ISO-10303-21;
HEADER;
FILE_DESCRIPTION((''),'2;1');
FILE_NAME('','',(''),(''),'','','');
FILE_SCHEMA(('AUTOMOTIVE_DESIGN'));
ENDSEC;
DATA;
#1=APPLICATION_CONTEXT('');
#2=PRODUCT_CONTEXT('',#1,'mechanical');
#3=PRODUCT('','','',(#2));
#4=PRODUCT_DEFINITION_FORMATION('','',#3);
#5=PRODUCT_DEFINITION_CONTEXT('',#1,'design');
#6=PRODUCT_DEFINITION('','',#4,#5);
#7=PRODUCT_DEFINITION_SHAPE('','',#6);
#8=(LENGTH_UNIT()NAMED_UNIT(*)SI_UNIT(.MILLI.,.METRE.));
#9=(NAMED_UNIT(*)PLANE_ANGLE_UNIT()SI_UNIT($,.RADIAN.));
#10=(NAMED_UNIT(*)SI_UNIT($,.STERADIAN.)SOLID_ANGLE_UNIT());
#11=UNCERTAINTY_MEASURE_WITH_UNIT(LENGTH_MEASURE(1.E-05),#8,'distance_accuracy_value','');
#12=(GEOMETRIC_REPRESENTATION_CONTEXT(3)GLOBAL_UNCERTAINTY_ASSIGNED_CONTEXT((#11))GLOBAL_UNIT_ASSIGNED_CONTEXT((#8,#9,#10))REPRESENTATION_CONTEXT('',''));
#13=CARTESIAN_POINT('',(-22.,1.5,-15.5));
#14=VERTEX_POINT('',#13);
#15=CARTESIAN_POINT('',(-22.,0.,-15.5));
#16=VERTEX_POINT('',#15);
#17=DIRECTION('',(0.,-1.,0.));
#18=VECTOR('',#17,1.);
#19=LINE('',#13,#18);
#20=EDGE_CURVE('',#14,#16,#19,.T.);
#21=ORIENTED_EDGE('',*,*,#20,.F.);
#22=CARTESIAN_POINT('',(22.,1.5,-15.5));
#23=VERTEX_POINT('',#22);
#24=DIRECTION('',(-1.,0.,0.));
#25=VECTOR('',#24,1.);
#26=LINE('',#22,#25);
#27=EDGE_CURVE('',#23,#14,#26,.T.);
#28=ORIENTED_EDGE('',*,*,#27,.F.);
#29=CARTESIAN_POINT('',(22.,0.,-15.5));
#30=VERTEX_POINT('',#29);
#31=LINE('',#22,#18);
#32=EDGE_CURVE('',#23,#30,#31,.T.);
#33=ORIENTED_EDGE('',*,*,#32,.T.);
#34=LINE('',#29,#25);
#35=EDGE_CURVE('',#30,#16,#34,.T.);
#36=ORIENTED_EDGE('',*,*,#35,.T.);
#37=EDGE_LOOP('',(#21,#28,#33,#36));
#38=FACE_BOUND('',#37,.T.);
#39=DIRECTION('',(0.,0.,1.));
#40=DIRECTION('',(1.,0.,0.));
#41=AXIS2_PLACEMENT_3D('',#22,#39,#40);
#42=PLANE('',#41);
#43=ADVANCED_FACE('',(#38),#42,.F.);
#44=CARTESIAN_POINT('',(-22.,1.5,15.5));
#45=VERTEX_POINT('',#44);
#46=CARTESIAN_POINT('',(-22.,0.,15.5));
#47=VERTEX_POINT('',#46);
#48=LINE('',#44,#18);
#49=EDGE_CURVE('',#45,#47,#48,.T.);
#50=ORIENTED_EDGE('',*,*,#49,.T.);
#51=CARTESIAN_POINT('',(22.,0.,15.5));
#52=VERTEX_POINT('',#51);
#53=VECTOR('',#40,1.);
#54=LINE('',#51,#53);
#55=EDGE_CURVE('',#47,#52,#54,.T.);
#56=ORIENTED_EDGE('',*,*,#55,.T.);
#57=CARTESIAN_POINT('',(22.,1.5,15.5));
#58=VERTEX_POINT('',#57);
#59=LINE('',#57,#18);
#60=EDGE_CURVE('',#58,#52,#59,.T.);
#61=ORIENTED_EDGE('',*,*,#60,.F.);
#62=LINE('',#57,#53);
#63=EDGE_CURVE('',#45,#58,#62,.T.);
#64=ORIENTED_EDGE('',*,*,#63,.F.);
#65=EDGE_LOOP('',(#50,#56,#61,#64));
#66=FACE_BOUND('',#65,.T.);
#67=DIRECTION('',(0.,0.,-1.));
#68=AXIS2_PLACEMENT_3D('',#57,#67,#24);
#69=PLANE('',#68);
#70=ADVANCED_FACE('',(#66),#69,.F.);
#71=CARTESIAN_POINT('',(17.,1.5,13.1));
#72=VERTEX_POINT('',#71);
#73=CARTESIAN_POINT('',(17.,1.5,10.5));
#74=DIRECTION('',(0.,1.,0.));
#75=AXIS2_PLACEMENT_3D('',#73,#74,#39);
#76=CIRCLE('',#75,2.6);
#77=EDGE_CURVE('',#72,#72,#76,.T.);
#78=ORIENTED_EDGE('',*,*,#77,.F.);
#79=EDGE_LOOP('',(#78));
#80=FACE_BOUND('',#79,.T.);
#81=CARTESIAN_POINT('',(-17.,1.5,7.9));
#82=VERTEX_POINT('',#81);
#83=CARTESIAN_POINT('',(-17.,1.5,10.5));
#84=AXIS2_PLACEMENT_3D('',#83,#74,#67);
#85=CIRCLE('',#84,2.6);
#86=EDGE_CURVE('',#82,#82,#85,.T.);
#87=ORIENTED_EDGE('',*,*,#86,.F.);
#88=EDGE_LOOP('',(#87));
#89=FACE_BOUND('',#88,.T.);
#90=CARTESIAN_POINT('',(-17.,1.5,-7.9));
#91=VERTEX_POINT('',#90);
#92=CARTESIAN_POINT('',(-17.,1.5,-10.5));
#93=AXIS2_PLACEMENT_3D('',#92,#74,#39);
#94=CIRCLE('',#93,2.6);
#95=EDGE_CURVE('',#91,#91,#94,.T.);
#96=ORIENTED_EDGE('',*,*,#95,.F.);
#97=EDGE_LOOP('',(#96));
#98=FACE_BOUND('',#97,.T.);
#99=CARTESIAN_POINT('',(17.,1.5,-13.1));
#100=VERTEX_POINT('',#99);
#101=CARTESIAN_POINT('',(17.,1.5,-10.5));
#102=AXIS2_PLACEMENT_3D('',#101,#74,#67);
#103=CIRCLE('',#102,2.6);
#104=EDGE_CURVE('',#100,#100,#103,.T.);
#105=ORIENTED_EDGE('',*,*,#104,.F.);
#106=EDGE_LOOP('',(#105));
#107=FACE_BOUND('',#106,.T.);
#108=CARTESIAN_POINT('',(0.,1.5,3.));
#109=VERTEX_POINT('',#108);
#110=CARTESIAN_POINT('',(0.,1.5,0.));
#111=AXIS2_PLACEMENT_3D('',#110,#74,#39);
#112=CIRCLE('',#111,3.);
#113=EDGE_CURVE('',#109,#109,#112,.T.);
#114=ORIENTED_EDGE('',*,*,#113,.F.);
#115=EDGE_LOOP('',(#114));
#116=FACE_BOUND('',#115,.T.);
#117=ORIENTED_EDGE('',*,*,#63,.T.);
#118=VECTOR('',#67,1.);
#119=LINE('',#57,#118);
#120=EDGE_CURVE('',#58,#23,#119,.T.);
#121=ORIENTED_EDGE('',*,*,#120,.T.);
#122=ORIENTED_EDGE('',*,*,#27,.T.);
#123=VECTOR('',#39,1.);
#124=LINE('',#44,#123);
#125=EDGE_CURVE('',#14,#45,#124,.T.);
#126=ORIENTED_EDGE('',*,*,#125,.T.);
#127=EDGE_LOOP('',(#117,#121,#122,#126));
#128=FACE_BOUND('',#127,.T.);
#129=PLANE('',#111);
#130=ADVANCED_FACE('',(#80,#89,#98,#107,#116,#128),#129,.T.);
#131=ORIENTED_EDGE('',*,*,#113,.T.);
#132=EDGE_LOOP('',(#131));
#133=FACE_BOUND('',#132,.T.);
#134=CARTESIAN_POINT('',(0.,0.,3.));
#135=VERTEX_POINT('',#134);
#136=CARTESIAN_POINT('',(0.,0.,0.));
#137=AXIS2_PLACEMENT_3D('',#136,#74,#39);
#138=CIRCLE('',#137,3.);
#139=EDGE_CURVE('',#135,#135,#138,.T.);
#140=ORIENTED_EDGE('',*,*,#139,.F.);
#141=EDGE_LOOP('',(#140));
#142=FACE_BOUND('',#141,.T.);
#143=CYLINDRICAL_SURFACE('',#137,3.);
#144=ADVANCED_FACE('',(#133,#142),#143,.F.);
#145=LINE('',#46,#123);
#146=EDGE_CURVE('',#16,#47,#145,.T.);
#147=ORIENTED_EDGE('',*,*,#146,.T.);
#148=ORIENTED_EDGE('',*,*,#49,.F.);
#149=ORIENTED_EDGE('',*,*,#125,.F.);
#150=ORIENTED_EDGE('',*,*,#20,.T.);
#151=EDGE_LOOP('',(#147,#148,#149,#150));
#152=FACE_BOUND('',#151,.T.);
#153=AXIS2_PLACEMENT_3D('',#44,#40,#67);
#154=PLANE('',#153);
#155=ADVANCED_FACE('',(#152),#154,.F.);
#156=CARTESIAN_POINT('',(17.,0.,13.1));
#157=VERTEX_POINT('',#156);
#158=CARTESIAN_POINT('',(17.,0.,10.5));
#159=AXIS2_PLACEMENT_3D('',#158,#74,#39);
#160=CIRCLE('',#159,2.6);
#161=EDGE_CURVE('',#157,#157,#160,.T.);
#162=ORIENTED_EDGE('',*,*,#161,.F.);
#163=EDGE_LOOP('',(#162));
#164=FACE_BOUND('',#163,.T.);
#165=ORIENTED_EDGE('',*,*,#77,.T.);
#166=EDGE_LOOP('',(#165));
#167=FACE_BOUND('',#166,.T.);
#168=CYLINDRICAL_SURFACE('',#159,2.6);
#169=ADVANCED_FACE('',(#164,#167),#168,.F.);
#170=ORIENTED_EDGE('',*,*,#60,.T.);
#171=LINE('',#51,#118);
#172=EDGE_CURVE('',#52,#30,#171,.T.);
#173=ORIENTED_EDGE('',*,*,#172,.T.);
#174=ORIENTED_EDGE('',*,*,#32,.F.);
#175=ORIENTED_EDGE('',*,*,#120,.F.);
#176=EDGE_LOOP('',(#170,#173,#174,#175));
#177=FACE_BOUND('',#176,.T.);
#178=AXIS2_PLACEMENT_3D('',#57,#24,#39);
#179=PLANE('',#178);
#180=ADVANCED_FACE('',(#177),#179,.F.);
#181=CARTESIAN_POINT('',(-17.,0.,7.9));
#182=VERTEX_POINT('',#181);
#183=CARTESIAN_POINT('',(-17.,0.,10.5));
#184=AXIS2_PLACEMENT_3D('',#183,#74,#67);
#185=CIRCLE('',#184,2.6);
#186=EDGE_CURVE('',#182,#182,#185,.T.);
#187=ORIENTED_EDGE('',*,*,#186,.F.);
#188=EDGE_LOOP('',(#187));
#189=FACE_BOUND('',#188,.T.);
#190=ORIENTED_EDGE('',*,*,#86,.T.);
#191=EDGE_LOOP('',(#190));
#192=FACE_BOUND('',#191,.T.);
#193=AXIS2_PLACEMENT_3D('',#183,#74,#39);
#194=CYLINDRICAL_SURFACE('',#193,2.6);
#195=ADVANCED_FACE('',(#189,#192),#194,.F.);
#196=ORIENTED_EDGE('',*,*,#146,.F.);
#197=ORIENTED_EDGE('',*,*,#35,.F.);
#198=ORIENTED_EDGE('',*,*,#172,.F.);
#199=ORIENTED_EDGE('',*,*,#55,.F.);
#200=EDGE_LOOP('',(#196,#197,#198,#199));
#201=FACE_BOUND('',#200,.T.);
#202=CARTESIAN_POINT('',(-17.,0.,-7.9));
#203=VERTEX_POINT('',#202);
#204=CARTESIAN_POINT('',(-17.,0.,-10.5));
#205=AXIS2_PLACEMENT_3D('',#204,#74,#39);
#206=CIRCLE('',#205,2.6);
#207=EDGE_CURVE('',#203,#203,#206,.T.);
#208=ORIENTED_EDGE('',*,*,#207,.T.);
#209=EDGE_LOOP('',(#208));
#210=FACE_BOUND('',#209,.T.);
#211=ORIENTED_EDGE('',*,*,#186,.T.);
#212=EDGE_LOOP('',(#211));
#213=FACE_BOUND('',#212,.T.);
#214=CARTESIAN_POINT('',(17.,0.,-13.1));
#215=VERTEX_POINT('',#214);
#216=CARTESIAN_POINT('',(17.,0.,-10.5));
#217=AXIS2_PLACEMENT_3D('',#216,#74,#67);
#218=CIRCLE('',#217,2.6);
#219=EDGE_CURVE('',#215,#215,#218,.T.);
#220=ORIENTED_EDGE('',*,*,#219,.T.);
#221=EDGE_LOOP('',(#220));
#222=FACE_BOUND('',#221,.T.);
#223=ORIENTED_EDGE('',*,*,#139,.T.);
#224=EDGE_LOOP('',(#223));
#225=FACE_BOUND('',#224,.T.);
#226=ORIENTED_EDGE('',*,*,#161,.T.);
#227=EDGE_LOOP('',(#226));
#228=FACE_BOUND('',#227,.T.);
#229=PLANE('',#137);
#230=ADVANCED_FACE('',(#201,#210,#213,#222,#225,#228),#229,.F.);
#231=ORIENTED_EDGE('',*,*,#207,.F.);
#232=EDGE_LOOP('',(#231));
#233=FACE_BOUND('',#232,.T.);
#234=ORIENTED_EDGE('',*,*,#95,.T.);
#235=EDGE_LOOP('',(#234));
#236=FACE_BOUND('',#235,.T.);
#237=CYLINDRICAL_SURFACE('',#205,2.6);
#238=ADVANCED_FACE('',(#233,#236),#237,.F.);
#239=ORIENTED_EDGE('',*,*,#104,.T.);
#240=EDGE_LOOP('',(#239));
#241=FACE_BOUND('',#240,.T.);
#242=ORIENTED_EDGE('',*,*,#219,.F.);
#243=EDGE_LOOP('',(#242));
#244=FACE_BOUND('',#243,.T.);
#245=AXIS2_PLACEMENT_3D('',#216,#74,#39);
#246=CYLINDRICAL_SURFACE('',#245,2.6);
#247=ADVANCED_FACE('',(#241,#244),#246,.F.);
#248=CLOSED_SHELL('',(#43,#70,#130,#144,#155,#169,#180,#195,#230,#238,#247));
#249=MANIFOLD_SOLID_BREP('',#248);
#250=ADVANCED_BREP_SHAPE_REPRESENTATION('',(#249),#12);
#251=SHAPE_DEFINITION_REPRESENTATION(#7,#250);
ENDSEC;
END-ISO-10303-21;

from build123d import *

# Parameters (mm, degrees)
SKETCH1_W           = 44
SKETCH1_H           = 31
BOSS_EXTRUDE1_DEPTH = 1.5
SKETCH2_R           = 2.6
SKETCH2_R_2         = 3
CUT_EXTRUDE1_DEPTH  = 1.5


with BuildPart() as part:
    # Sketch1 → Boss-Extrude1 (new body)
    with BuildSketch(Plane(origin=(0, 0, 0), x_dir=(1, 0, 0), z_dir=(0, 1, 0))):
        Rectangle(SKETCH1_W, SKETCH1_H)
    extrude(amount=BOSS_EXTRUDE1_DEPTH)

    # Sketch2 → Cut-Extrude1 (cut)
    with BuildSketch(Plane(origin=(0, 1.5, 0), x_dir=(1, 0, 0), z_dir=(0, 1, 0))):
        with Locations((-17, 10.5)):
            Circle(SKETCH2_R)
        with Locations((17, 10.5)):
            Circle(SKETCH2_R)
        with Locations((17, -10.5)):
            Circle(SKETCH2_R)
        with Locations((-17, -10.5)):
            Circle(SKETCH2_R)
        Circle(SKETCH2_R_2)
    extrude(amount=-CUT_EXTRUDE1_DEPTH, mode=Mode.SUBTRACT)


solid = part.part
